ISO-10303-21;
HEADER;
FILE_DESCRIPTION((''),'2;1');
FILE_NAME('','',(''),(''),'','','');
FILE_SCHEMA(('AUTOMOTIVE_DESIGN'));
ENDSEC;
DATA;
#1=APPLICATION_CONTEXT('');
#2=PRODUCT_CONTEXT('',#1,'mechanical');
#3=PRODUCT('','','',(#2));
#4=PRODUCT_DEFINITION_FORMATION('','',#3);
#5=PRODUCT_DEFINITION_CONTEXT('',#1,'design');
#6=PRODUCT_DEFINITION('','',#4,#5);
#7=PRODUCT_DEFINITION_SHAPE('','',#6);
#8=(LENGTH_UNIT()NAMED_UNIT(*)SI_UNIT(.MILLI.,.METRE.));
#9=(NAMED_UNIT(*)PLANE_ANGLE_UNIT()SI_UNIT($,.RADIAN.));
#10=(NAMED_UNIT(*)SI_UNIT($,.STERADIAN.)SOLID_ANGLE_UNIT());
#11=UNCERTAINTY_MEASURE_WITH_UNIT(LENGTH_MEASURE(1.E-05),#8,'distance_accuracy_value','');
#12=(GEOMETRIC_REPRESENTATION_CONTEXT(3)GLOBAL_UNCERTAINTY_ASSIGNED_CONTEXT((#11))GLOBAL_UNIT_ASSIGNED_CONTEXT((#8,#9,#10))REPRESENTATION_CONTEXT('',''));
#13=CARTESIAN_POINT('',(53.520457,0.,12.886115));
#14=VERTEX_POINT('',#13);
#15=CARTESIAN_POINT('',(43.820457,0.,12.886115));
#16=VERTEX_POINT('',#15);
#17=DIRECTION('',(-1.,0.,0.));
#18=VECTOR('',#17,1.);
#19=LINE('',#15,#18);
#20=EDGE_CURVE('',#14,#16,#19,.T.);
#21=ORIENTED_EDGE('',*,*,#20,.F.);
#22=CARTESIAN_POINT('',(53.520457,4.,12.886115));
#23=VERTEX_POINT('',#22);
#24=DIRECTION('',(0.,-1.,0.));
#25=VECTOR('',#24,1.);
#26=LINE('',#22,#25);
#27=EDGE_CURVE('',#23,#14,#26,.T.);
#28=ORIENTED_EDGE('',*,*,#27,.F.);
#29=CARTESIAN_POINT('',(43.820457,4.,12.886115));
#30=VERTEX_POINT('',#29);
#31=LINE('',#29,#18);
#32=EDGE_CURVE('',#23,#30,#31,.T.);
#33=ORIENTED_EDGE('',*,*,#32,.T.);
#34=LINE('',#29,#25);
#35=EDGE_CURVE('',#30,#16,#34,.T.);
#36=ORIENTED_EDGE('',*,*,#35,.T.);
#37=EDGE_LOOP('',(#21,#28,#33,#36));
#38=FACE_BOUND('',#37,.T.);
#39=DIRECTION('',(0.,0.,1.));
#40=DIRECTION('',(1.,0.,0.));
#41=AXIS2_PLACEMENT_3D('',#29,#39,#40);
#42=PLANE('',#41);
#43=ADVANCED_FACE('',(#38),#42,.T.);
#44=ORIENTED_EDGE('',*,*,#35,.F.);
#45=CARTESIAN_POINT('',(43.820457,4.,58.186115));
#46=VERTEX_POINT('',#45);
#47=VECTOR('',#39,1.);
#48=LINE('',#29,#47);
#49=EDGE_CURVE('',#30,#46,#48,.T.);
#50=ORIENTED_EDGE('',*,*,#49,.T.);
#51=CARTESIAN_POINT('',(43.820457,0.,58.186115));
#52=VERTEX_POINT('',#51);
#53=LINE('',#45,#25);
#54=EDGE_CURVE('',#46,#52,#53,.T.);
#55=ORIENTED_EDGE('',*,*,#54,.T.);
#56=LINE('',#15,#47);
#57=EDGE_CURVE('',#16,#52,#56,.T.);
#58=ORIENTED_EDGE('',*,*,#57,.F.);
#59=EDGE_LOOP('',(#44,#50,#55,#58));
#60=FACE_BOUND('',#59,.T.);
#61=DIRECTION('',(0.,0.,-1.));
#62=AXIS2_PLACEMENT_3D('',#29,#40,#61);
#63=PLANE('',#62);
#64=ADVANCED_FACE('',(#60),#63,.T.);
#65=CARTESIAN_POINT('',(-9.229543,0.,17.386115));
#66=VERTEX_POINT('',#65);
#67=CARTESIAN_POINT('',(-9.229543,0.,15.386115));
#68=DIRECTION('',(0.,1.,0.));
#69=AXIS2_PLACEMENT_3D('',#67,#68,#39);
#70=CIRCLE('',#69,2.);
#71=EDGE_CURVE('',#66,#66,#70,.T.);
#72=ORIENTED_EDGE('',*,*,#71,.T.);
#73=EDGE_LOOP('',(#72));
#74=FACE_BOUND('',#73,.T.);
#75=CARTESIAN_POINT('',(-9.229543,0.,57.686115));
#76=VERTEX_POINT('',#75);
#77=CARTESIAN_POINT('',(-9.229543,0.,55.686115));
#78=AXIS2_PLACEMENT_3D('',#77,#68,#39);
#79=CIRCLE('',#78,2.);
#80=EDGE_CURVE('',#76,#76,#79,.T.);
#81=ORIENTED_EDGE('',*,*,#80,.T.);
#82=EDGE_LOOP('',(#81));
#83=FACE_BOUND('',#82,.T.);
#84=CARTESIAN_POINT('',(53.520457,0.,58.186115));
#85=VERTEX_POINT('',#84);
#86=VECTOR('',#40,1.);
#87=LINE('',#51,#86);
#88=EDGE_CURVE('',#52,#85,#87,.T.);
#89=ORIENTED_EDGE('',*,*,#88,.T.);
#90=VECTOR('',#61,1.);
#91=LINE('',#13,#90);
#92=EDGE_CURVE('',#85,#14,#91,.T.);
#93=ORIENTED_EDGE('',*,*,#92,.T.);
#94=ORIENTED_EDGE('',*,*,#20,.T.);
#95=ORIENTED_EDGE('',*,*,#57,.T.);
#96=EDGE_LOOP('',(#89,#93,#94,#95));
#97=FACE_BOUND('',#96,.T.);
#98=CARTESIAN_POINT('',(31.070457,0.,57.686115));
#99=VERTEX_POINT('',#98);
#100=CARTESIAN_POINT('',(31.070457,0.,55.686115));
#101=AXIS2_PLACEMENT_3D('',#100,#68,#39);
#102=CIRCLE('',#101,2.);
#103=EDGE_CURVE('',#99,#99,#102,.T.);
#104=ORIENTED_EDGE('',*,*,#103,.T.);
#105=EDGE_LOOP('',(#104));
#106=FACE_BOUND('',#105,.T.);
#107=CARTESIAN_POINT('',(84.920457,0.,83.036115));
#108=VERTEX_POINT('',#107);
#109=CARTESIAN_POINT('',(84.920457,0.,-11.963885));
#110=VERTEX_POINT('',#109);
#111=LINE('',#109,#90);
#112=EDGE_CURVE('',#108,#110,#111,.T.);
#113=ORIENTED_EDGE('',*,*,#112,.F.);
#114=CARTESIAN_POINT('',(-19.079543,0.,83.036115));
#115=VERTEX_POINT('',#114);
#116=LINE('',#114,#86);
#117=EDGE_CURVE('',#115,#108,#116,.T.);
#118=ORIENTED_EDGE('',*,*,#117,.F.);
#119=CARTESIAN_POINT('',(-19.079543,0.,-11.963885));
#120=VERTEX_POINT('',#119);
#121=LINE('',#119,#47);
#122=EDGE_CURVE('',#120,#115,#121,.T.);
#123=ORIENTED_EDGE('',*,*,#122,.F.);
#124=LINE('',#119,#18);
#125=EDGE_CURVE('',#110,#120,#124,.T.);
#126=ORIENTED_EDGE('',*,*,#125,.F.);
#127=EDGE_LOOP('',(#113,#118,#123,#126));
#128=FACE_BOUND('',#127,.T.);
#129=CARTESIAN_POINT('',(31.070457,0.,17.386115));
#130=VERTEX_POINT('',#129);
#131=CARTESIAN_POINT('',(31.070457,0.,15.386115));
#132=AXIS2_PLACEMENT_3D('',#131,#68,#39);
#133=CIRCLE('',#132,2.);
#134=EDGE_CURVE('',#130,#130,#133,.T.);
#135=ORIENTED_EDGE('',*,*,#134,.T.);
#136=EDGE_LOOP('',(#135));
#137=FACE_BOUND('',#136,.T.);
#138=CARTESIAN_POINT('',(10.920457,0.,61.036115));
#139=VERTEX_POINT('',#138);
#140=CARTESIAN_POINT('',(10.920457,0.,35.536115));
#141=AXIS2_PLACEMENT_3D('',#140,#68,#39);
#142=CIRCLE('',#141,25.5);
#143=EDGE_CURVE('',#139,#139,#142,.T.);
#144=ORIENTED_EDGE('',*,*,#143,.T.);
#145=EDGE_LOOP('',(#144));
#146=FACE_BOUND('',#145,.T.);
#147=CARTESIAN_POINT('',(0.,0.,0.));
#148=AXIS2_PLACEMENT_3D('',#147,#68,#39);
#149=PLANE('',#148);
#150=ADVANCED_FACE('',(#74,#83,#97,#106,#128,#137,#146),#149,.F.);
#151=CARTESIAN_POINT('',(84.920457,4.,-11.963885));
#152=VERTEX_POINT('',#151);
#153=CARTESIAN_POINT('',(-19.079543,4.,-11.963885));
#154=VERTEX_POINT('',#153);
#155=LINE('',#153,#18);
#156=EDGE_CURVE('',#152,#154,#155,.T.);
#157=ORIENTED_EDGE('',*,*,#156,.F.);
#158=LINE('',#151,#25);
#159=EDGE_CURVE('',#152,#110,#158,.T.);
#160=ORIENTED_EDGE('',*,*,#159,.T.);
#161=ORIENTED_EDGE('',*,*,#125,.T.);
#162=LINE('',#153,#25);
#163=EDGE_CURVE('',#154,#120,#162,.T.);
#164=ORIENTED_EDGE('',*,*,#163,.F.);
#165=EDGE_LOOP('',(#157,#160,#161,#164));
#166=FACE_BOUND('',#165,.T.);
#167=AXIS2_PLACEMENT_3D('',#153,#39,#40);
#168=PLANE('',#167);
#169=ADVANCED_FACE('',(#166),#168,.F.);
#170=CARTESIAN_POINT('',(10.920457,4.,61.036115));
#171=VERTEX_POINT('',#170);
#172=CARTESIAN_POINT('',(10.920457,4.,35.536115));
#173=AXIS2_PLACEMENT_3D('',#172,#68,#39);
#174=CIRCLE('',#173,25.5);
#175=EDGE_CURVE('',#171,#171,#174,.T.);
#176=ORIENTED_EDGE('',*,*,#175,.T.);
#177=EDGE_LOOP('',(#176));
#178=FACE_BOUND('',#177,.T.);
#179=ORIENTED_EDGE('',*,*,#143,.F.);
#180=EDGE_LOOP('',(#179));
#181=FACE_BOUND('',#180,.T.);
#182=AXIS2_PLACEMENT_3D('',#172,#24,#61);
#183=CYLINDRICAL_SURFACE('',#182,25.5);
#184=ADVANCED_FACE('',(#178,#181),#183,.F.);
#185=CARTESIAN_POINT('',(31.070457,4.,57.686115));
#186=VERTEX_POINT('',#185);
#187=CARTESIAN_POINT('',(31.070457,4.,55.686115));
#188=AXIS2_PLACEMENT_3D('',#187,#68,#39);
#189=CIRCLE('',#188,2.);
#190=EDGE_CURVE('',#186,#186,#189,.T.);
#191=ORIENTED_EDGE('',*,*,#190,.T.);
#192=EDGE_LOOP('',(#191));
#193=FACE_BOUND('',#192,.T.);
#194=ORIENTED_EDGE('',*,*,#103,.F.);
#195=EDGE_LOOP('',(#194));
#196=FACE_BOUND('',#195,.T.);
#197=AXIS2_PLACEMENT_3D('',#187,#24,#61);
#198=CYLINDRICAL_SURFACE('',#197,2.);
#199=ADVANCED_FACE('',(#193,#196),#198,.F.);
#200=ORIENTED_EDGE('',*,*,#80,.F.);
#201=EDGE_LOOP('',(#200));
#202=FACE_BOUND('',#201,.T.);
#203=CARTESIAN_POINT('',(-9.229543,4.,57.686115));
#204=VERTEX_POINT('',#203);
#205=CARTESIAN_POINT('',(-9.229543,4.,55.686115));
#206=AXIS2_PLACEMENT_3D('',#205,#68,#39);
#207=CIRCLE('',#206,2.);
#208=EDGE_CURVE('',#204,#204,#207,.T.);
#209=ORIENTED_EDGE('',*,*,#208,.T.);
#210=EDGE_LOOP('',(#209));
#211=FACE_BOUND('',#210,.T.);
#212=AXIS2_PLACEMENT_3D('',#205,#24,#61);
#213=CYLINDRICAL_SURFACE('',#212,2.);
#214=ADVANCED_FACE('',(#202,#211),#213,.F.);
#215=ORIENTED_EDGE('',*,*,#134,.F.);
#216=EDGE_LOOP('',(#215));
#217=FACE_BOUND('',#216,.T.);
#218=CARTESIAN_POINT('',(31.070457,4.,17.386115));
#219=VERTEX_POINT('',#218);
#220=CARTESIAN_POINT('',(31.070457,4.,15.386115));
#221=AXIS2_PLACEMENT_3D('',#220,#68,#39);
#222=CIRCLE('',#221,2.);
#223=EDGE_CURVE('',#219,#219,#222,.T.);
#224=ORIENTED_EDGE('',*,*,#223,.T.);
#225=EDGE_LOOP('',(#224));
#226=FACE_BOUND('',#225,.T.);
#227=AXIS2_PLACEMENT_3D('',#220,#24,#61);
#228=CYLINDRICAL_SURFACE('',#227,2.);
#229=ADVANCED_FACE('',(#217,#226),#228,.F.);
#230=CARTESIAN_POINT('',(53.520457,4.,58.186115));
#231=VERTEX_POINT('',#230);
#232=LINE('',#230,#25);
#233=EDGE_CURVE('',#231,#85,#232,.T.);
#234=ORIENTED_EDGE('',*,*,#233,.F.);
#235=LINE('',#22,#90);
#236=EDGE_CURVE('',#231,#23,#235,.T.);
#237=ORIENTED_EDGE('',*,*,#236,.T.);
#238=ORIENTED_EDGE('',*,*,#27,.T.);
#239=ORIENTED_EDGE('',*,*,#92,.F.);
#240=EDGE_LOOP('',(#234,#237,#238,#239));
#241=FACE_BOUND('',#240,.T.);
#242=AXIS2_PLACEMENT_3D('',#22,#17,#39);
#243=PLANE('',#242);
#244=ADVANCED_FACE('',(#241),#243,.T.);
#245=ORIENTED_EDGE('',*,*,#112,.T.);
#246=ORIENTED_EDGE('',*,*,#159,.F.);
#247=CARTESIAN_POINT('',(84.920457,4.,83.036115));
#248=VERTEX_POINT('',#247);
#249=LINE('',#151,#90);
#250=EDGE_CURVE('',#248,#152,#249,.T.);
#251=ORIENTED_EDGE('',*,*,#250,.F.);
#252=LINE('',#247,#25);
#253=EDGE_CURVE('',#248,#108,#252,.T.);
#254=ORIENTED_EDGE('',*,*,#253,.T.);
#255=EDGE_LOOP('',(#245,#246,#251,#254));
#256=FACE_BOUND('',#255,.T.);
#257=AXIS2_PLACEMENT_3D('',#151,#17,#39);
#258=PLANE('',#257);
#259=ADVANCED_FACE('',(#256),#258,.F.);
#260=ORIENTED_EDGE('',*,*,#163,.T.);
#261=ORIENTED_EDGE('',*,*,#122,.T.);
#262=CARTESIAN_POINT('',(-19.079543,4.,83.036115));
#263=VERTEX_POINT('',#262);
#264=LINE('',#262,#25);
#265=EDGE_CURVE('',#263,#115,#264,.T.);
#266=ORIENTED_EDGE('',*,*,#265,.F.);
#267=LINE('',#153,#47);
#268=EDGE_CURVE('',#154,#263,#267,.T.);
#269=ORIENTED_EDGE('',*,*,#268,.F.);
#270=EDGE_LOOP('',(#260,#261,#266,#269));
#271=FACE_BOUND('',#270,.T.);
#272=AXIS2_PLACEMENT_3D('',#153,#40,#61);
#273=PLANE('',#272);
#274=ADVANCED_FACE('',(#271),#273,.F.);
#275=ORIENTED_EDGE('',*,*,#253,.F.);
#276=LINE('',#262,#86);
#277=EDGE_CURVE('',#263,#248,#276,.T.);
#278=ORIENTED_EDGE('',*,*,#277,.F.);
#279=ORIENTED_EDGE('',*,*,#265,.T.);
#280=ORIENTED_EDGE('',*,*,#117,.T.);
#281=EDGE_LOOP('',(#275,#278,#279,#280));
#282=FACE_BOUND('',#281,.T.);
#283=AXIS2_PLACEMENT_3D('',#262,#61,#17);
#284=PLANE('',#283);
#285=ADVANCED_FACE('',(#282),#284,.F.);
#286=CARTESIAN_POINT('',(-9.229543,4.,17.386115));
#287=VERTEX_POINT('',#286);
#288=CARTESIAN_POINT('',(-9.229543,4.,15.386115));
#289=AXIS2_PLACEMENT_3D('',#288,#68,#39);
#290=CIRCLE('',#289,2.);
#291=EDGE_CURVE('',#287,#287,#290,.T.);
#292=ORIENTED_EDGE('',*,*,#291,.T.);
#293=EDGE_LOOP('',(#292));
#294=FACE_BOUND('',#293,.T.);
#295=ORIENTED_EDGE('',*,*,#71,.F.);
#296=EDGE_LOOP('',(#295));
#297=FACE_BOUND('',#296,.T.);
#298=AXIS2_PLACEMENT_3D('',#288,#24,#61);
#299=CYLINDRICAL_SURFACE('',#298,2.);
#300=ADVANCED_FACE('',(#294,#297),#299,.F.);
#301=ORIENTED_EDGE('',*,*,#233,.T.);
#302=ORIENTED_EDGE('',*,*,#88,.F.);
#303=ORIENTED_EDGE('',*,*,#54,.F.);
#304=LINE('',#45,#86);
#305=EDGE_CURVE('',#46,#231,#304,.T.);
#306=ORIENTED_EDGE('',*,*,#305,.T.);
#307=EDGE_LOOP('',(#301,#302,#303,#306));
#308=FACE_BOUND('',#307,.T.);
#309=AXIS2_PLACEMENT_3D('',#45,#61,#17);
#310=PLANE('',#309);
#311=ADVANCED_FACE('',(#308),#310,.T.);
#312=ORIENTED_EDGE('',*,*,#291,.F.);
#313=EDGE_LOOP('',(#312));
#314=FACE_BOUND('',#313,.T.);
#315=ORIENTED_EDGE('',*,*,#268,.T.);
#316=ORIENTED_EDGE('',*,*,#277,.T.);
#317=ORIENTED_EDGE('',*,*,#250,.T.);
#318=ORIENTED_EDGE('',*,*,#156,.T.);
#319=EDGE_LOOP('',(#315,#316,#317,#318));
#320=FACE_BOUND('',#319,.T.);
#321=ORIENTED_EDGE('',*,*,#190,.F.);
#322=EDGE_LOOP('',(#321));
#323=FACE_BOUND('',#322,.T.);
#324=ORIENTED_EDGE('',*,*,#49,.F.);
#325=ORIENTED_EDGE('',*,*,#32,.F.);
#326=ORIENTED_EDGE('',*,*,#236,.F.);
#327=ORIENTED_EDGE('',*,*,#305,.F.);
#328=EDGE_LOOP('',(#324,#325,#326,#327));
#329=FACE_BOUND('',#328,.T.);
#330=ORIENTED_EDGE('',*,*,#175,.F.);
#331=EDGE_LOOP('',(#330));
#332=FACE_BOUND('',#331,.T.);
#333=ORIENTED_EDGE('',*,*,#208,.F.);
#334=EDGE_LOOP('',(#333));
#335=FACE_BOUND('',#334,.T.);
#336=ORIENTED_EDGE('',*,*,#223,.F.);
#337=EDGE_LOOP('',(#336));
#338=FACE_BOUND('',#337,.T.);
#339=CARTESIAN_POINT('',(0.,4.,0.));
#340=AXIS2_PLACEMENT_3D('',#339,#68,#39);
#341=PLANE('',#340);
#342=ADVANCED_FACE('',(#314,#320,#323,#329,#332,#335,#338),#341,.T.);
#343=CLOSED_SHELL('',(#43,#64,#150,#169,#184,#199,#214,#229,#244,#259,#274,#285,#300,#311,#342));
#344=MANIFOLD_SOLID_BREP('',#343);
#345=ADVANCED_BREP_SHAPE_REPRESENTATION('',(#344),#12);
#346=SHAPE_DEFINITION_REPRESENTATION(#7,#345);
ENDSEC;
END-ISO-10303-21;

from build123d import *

# Parameters (mm, degrees)
SKETCH1_W           = 104
SKETCH1_H           = 95
SKETCH1_R           = 25.5
SKETCH1_R_2         = 2
SKETCH1_W_2         = 9.7
SKETCH1_H_2         = 45.3
BOSS_EXTRUDE1_DEPTH = 4


with BuildPart() as part:
    # Sketch1 → Boss-Extrude1 (new body)
    with BuildSketch(Plane(origin=(0, 0, 0), x_dir=(1, 0, 0), z_dir=(0, 1, 0))):
        with Locations((32.920457223, -35.53611465)):
            Rectangle(SKETCH1_W, SKETCH1_H)
        with Locations(Location((10.920457223, -35.53611465, 0), (0, 0, 270))):
            Circle(SKETCH1_R, mode=Mode.SUBTRACT)
        with Locations(Location((-9.229542777, -15.38611465, 0), (0, 0, 270))):
            Circle(SKETCH1_R_2, mode=Mode.SUBTRACT)
        with Locations(Location((-9.229542777, -55.68611465, 0), (0, 0, 270))):
            Circle(SKETCH1_R_2, mode=Mode.SUBTRACT)
        with Locations(Location((31.070457223, -55.68611465, 0), (0, 0, 270))):
            Circle(SKETCH1_R_2, mode=Mode.SUBTRACT)
        with Locations(Location((31.070457223, -15.38611465, 0), (0, 0, 270))):
            Circle(SKETCH1_R_2, mode=Mode.SUBTRACT)
        with Locations((48.670457223, -35.53611465)):
            Rectangle(SKETCH1_W_2, SKETCH1_H_2, mode=Mode.SUBTRACT)
    extrude(amount=BOSS_EXTRUDE1_DEPTH)


solid = part.part
